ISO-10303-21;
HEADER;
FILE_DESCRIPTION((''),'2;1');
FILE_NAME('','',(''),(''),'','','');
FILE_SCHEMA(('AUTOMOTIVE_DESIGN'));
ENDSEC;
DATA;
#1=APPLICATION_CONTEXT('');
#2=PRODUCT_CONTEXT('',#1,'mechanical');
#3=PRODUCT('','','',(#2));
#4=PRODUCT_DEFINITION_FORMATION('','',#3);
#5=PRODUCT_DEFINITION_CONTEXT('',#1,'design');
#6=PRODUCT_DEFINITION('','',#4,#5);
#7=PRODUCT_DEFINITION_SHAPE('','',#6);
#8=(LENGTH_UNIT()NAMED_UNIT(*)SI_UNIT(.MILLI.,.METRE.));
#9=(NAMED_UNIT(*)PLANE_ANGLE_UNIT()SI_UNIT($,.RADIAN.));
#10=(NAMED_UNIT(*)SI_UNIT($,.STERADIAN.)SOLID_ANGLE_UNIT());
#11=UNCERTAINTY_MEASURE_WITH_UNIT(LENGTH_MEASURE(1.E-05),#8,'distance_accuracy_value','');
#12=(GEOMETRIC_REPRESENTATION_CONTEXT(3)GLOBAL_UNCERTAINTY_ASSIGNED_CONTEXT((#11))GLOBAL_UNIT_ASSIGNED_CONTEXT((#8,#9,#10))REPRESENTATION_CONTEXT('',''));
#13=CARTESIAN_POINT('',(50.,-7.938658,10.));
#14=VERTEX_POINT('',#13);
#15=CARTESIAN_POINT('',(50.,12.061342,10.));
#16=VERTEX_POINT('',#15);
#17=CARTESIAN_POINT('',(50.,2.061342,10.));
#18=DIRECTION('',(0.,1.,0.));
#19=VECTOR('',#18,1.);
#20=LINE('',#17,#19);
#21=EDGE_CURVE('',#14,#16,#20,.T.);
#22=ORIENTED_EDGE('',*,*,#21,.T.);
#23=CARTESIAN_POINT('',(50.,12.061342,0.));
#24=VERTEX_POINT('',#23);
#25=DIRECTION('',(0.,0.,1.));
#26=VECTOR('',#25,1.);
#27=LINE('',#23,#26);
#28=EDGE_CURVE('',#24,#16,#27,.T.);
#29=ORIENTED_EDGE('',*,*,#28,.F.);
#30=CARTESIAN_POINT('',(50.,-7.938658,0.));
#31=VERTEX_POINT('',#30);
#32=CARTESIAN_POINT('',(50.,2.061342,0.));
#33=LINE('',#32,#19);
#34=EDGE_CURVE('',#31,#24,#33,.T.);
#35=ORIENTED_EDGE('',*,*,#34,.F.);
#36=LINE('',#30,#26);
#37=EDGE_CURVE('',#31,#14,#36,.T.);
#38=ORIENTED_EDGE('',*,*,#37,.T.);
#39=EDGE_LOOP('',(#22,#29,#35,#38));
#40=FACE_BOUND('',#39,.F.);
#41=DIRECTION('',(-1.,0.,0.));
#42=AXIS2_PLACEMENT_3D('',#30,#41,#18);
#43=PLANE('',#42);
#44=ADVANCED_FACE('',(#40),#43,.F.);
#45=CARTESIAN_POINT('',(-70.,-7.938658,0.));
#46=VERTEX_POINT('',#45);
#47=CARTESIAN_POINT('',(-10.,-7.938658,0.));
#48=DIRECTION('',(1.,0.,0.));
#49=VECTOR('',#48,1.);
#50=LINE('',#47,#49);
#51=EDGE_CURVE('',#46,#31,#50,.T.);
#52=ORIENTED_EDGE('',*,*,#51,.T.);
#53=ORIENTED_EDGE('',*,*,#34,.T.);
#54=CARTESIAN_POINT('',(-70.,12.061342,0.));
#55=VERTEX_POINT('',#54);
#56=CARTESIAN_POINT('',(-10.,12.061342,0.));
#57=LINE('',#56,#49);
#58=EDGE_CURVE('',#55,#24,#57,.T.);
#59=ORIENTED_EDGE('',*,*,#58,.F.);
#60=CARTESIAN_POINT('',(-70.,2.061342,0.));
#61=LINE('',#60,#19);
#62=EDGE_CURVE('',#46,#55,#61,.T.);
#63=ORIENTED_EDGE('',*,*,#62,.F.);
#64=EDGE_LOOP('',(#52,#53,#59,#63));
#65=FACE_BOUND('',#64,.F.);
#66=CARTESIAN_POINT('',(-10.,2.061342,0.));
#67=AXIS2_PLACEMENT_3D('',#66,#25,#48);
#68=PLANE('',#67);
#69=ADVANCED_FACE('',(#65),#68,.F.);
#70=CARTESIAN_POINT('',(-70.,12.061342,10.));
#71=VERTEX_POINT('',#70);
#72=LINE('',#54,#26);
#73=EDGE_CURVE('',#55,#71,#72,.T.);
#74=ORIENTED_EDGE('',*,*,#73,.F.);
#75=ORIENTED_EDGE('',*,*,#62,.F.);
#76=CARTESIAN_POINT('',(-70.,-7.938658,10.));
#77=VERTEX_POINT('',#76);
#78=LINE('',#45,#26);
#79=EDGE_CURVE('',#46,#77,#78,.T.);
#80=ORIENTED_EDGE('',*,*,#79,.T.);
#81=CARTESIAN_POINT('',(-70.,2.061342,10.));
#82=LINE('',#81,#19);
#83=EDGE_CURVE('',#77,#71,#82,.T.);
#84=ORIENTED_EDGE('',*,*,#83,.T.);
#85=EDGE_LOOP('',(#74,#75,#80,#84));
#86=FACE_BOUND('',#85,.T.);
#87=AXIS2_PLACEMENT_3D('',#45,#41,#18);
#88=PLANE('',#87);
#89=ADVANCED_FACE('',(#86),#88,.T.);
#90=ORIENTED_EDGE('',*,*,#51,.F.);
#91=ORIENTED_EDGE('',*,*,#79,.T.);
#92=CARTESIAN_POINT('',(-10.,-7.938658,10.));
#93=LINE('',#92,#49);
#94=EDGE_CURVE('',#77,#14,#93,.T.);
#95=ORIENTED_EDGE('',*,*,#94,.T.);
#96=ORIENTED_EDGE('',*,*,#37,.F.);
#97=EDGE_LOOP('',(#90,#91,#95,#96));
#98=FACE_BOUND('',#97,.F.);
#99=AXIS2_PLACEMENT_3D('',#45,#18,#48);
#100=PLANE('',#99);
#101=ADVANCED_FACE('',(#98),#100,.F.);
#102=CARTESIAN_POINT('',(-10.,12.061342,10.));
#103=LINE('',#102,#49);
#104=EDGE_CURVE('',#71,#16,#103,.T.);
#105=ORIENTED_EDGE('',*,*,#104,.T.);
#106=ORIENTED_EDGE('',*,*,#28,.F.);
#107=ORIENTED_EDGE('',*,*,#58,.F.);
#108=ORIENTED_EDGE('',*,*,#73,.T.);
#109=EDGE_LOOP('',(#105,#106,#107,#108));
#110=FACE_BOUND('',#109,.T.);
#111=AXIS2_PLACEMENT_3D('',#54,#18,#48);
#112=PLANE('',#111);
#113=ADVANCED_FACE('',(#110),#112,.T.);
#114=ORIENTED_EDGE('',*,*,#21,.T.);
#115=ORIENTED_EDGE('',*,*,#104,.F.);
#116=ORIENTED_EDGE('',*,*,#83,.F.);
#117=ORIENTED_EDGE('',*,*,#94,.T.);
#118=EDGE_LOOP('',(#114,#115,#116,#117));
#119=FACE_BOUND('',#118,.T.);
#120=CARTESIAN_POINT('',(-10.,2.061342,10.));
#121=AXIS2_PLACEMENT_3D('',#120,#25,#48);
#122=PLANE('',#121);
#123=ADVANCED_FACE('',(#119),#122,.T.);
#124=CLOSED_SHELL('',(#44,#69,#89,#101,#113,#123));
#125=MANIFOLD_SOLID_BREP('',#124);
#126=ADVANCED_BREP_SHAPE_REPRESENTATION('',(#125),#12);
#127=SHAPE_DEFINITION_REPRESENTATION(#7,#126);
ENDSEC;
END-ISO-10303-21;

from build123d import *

# Parameters (mm, degrees)
SKETCH_W  = 120
SKETCH_H  = 20
PAD_DEPTH = 10


with BuildPart() as part:
    # Sketch → Pad (new body)
    with BuildSketch(Plane.XY):
        with Locations((-10, 2.061342)):
            Rectangle(SKETCH_W, SKETCH_H)
    extrude(amount=PAD_DEPTH)


solid = part.part
